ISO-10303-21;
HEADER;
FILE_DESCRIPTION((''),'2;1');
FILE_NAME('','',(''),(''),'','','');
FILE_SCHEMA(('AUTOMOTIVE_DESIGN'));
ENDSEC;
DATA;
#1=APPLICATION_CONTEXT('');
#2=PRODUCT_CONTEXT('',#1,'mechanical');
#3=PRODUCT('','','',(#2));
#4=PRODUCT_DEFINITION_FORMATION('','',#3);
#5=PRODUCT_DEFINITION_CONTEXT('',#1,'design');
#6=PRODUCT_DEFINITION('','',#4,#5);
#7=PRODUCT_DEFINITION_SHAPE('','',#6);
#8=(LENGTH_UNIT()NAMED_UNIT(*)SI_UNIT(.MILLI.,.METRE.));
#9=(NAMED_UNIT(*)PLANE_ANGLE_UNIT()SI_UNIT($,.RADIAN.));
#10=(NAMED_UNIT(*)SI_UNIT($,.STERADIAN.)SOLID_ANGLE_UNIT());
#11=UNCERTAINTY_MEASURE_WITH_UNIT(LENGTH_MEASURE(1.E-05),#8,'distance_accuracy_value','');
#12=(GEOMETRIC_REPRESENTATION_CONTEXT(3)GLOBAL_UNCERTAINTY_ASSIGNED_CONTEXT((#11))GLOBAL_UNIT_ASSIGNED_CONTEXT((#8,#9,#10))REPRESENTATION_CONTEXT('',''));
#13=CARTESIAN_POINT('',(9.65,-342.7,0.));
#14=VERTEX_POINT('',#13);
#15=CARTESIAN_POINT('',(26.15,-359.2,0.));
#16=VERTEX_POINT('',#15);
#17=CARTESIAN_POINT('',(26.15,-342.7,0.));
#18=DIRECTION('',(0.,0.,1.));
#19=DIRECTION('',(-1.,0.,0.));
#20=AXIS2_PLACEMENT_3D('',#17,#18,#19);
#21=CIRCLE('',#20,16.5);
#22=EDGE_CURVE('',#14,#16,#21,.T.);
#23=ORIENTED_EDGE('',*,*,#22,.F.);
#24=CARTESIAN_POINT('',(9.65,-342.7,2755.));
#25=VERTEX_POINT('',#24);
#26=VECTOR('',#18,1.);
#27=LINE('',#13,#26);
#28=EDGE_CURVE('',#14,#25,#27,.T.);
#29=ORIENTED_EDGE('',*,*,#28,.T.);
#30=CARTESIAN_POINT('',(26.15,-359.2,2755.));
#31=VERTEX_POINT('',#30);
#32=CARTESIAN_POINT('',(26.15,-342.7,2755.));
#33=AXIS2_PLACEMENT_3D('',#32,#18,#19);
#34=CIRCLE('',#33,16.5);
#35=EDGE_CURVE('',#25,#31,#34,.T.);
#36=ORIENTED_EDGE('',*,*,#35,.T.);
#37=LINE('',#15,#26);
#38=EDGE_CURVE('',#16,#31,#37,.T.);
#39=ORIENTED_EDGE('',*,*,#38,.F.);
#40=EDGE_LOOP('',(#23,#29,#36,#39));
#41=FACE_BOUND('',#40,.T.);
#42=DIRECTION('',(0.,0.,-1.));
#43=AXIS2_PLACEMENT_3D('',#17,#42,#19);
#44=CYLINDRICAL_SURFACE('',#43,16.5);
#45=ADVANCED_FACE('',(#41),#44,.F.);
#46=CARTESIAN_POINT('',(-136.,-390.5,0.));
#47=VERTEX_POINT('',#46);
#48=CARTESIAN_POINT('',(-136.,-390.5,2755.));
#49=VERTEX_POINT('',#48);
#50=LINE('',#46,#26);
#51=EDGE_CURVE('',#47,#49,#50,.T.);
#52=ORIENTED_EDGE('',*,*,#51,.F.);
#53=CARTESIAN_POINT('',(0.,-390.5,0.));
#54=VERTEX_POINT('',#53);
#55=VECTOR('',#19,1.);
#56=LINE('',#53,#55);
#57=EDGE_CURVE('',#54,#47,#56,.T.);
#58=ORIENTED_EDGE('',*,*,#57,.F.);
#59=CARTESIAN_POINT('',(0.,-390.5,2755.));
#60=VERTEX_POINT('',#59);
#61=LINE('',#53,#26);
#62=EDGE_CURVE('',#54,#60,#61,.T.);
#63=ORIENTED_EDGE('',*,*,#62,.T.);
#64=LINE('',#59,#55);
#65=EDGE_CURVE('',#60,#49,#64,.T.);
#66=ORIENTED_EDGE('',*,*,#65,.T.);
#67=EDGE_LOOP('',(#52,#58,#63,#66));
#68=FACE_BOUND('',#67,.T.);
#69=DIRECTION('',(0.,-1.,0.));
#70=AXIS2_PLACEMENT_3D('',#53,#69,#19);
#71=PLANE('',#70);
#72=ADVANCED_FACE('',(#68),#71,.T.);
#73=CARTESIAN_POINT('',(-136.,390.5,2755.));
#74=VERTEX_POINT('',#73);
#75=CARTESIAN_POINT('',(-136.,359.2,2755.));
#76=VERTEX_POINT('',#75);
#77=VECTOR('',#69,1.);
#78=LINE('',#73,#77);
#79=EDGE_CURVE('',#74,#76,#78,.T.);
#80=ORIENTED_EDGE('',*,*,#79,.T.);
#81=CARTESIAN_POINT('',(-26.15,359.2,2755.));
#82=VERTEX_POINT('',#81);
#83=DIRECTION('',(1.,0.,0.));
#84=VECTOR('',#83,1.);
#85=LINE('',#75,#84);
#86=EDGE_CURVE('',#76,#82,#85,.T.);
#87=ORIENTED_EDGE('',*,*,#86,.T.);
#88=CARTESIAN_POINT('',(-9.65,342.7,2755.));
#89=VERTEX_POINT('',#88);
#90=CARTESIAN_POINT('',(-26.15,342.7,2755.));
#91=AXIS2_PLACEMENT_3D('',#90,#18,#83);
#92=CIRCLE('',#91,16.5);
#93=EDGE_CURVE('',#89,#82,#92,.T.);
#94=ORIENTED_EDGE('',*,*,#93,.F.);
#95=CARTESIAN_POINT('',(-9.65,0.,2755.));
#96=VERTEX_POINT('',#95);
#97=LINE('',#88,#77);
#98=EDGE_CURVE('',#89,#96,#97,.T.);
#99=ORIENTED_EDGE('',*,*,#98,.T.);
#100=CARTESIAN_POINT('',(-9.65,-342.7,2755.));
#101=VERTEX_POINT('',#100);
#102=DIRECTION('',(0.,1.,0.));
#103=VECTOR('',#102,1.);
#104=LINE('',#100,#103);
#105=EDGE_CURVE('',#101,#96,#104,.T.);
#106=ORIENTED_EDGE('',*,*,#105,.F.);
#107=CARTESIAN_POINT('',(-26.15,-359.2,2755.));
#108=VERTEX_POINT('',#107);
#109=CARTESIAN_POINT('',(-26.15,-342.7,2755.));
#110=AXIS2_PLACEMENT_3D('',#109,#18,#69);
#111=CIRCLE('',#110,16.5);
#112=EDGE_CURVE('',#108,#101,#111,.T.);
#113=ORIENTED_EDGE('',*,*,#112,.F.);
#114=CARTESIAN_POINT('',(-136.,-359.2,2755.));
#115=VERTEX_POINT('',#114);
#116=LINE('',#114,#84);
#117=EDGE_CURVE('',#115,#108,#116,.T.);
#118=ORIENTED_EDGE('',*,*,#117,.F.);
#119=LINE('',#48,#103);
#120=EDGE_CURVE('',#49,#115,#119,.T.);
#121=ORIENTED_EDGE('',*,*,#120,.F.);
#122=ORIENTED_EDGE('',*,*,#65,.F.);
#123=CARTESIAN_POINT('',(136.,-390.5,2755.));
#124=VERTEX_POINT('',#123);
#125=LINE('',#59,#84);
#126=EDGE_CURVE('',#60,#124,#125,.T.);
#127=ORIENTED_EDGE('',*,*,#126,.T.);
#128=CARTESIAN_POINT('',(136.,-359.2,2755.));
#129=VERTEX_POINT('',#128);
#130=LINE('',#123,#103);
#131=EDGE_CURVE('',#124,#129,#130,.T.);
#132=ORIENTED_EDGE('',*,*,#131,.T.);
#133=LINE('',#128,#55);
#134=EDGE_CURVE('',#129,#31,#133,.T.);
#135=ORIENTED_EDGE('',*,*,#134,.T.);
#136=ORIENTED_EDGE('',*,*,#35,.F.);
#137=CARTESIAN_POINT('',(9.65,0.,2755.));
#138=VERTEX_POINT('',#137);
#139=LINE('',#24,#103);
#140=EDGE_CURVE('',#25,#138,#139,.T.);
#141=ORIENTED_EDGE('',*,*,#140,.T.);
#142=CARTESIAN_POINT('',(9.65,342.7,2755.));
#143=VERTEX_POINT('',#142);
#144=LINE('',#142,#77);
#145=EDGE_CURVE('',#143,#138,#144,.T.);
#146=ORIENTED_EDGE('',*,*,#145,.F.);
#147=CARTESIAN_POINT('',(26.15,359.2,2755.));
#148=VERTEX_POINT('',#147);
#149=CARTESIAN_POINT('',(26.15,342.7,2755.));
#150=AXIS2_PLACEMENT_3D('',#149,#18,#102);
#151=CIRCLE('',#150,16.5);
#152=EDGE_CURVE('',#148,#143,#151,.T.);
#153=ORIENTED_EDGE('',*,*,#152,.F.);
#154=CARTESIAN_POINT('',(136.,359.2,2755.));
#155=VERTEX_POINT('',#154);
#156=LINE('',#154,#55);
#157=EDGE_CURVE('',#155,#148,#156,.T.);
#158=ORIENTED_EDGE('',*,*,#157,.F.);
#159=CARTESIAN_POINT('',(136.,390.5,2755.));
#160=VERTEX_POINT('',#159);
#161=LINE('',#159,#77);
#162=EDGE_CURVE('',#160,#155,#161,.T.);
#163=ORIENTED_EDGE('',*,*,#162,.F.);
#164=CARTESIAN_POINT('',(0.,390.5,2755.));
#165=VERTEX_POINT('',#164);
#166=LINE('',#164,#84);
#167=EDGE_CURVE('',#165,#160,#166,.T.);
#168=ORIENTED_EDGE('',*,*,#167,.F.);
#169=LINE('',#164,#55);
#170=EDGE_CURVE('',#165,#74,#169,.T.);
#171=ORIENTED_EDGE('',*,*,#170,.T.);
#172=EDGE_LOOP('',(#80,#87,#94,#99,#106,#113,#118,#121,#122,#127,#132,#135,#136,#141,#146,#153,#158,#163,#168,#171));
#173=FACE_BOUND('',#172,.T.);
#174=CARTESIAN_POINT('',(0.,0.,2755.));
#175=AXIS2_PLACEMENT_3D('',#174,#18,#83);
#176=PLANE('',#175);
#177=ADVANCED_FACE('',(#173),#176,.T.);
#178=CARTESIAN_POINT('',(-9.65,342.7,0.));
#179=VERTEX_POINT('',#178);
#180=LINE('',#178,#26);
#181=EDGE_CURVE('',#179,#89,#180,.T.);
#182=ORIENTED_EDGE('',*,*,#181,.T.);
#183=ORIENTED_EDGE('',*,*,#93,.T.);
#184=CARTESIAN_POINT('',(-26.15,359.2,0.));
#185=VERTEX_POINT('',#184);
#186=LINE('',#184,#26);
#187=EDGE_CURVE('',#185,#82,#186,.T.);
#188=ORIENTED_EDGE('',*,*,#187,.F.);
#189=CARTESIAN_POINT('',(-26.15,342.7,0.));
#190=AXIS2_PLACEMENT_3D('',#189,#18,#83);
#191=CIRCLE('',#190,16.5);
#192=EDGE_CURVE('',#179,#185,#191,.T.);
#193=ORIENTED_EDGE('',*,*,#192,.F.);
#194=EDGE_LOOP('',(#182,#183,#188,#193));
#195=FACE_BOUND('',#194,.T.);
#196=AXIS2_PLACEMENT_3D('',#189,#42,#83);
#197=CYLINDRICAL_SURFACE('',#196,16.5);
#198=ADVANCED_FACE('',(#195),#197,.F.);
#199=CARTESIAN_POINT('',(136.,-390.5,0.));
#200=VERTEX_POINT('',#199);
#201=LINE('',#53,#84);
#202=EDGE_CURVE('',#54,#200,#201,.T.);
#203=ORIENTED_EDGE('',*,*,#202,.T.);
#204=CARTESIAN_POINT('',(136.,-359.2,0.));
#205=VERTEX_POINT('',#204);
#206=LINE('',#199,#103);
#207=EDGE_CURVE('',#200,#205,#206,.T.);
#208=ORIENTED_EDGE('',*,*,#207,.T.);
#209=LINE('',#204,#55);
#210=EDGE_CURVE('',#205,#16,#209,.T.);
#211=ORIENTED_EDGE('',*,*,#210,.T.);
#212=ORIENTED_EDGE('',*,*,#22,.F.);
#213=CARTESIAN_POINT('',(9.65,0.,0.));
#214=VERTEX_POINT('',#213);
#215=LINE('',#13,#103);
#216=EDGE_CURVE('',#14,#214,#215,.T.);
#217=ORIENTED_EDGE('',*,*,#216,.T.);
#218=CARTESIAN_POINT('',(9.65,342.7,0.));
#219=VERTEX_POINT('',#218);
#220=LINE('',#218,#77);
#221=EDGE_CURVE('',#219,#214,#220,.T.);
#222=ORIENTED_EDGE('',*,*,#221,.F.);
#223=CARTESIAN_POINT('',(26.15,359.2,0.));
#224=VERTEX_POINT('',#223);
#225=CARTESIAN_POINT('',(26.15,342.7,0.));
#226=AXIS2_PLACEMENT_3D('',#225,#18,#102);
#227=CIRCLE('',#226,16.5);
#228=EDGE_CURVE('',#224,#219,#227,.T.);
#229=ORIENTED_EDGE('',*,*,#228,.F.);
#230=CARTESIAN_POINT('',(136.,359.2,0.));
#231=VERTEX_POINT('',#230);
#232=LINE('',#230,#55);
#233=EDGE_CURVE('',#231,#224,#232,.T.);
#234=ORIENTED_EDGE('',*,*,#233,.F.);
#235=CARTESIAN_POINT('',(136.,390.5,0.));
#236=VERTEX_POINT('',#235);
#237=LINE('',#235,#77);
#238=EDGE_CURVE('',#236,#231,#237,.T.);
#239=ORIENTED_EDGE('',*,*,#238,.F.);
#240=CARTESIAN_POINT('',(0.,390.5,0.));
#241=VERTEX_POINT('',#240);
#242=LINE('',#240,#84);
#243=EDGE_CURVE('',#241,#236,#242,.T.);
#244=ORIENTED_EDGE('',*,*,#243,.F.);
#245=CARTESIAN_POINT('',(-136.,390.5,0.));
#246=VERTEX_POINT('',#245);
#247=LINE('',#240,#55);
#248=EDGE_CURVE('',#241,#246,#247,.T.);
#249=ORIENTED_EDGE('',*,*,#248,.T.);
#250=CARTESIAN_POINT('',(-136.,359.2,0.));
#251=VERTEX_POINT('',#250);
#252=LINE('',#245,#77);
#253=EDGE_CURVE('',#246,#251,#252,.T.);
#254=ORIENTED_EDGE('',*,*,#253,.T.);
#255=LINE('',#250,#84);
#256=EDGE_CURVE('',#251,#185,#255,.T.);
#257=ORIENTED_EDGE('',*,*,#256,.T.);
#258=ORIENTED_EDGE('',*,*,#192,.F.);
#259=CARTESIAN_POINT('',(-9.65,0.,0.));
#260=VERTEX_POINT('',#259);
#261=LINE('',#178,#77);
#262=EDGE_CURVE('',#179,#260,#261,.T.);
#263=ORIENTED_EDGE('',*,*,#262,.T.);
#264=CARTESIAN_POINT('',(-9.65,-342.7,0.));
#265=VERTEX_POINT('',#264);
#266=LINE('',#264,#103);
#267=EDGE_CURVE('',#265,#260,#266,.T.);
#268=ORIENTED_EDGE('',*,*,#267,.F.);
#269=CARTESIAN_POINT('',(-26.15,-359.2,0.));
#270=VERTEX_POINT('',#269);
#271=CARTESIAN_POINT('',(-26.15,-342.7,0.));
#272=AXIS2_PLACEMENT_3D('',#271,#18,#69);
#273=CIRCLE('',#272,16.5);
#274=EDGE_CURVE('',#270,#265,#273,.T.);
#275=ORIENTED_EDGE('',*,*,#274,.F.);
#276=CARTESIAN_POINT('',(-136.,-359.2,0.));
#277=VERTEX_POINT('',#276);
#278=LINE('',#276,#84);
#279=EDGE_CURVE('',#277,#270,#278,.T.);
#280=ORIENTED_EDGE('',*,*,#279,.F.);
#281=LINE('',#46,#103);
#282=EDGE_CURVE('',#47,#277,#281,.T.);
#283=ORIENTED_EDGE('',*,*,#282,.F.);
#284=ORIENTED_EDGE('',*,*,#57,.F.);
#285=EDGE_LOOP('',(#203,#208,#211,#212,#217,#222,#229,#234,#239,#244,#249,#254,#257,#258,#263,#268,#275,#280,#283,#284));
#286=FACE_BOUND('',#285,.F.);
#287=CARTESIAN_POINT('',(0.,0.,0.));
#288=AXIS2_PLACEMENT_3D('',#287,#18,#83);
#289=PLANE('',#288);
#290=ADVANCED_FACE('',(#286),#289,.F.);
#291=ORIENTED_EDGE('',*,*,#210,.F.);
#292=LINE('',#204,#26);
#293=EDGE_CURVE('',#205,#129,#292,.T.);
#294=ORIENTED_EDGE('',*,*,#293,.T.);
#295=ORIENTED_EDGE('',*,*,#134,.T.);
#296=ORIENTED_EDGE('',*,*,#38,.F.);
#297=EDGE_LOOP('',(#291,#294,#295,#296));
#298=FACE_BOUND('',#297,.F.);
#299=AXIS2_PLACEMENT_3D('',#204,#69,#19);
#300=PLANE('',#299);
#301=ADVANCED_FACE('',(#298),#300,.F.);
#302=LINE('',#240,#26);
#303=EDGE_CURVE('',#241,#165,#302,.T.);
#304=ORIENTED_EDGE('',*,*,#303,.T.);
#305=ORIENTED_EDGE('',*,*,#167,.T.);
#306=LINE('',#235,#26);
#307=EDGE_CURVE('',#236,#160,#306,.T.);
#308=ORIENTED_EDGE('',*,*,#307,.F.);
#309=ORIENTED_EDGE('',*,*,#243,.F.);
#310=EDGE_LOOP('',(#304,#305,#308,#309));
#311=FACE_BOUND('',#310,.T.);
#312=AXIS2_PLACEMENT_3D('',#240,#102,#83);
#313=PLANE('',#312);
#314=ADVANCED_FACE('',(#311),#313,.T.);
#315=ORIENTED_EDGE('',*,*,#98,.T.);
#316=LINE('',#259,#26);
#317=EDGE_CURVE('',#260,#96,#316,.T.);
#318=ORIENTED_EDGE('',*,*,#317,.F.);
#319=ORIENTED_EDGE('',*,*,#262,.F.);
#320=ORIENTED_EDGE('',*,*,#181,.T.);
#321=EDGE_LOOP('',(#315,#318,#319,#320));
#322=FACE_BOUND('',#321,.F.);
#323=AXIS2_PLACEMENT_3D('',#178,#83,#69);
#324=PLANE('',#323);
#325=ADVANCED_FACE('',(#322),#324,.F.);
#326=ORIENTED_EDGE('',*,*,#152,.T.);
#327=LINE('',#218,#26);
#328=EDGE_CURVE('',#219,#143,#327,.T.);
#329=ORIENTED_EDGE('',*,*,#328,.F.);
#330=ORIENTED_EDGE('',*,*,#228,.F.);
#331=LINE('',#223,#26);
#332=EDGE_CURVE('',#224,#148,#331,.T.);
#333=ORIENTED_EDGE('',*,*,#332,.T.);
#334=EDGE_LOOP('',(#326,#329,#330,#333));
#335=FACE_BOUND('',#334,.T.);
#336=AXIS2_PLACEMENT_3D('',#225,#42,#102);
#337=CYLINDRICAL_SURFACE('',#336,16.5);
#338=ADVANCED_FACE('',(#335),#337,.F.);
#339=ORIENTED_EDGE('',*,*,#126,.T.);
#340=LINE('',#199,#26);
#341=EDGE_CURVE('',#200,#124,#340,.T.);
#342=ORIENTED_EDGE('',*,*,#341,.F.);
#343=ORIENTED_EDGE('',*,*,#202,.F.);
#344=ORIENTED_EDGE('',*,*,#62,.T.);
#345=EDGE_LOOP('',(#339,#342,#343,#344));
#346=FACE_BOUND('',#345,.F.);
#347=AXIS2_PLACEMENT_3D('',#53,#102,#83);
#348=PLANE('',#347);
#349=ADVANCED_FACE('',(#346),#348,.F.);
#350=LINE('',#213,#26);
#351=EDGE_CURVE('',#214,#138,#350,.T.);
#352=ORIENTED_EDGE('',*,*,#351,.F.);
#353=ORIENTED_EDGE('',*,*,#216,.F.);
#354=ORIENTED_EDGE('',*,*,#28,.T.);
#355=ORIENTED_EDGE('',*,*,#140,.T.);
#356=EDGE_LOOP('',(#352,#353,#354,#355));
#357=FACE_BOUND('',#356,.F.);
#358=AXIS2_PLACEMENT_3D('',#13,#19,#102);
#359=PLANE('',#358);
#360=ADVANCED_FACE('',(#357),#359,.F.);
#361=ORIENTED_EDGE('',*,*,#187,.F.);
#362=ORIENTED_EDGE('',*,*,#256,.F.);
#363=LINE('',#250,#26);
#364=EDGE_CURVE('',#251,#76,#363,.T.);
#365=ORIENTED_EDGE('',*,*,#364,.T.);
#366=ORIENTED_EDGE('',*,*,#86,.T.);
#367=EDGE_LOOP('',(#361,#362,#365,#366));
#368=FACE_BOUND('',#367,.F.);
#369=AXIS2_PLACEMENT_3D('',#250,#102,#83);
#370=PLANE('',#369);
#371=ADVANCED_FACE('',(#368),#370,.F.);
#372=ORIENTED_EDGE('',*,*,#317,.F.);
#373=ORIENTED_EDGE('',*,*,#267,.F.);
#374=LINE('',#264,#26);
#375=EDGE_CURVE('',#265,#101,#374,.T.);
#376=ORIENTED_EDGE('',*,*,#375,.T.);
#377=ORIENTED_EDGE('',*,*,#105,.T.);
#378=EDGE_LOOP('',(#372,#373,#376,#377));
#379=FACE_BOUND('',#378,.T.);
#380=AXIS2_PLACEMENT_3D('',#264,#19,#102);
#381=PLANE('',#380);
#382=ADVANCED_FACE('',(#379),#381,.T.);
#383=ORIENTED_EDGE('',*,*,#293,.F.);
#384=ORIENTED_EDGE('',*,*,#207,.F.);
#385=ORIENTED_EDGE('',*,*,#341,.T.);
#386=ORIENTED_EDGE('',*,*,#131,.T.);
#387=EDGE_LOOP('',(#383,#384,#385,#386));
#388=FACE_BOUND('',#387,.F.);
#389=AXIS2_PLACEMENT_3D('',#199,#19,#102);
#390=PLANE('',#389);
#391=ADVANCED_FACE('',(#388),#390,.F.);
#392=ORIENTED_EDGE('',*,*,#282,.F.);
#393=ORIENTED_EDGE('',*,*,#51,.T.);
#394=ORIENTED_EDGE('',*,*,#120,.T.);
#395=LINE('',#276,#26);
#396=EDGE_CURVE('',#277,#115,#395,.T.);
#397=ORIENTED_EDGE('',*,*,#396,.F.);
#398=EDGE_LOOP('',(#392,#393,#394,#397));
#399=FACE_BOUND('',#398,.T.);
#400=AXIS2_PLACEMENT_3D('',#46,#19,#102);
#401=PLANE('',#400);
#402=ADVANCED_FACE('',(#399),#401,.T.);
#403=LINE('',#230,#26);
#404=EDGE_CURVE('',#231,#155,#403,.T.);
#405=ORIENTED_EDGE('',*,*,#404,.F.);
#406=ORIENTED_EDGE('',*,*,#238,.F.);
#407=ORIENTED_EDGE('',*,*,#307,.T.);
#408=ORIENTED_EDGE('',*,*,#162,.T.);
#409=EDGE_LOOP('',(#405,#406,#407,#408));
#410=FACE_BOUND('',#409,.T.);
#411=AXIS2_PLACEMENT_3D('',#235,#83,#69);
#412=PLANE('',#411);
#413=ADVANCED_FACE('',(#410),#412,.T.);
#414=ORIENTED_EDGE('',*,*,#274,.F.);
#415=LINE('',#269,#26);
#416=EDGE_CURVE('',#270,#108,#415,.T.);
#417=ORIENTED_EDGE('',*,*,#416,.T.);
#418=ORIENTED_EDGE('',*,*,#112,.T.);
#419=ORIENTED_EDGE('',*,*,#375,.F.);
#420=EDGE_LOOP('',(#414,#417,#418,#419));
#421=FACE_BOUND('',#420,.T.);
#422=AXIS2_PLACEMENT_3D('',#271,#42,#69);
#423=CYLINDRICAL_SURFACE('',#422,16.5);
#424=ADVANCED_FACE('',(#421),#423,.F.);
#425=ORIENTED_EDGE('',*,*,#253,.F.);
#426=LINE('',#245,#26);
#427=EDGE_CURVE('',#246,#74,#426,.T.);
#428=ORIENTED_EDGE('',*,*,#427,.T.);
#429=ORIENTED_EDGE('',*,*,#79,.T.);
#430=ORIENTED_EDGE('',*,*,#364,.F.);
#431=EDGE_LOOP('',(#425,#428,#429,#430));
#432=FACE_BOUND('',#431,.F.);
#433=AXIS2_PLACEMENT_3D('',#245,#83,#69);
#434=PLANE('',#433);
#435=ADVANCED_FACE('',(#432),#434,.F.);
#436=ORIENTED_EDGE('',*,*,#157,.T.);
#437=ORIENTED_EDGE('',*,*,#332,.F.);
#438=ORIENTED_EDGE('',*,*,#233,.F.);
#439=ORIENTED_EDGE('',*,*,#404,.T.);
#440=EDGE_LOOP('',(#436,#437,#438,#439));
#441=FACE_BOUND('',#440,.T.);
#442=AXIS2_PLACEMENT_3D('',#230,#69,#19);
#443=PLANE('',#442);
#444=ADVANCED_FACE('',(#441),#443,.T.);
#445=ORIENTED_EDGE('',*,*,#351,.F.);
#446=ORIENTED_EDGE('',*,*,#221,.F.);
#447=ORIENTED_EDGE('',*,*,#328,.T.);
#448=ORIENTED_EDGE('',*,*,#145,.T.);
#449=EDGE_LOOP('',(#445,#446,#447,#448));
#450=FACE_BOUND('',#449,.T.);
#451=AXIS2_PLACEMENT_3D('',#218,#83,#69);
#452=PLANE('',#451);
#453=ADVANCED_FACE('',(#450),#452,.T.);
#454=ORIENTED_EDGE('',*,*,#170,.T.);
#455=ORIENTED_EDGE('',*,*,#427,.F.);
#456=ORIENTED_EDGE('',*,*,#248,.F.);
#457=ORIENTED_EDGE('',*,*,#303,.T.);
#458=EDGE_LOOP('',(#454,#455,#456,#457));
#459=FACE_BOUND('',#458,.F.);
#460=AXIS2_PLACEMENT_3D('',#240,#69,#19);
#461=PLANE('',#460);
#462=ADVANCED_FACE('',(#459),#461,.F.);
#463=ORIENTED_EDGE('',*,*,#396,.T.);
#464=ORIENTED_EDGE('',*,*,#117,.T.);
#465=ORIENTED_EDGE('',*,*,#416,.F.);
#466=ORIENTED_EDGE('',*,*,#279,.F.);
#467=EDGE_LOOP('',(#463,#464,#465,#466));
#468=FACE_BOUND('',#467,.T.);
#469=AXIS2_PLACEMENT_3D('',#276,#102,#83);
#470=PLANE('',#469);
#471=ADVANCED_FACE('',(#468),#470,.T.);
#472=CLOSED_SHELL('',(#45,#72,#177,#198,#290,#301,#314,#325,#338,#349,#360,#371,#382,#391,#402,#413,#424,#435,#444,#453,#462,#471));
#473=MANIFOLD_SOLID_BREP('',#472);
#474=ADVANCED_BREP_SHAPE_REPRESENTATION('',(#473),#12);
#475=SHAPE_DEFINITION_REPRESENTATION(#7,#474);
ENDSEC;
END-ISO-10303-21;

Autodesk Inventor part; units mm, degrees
ref_plane "YZ Plane" through (0, 0, 0) normal (1, 0, 0) x (0, 1, 0)
ref_plane "Start plane" through (0, 0, 0) normal (0, 0, 1) x (1, 0, 0)
ref_plane "End plane" through (0, 0, 2755) normal (0, 0, 1) x (1, 0, 0)
sketch "Sketch" plane through (0, 0, 0) normal (0, 0, 1) x (1, 0, 0)
  line L0 (-136, -390.5) -> (-136, -359.2)
  line L1 (-136, -359.2) -> (-26.15, -359.2)
  line L2 (-9.65, -342.7) -> (-9.65, 0)
  line L3 (-9.65, 0) -> (0, 0) construction
  line L4 (0, 0) -> (0, -390.5) construction
  line L5 (0, -390.5) -> (-136, -390.5)
  line L6 (-60, 0) -> (80, 0) construction
  line L7 (0, -60) -> (0, 80) construction
  line L8 (136, -390.5) -> (136, -359.2)
  line L9 (136, -359.2) -> (26.15, -359.2)
  line L10 (9.65, -342.7) -> (9.65, 0)
  line L11 (9.65, 0) -> (0, 0) construction
  line L12 (0, -390.5) -> (136, -390.5)
  line L13 (-136, 390.5) -> (-136, 359.2)
  line L14 (-136, 359.2) -> (-26.15, 359.2)
  line L15 (-9.65, 342.7) -> (-9.65, 0)
  line L16 (0, 390.5) -> (-136, 390.5)
  line L17 (136, 390.5) -> (136, 359.2)
  line L18 (136, 359.2) -> (26.15, 359.2)
  line L19 (0, 390.5) -> (136, 390.5)
  line L20 (9.65, 342.7) -> (9.65, 0)
  arc A0 (-9.65, 342.7) -> (-26.15, 359.2) centre (-26.15, 342.7) ccw
  arc A1 (26.15, 359.2) -> (9.65, 342.7) centre (26.15, 342.7) ccw
  arc A2 (9.65, -342.7) -> (26.15, -359.2) centre (26.15, -342.7) ccw
  arc A3 (-26.15, -359.2) -> (-9.65, -342.7) centre (-26.15, -342.7) ccw
  line L21 (0, 108) -> (0, -88) construction
  line L22 (-88, 0) -> (108, 0) construction
  point P0 (-9.65, -359.2)
  point P1 (9.65, -359.2)
  point P2 (-9.65, 359.2)
  point P3 (9.65, 359.2)
  dimension "d1" = 390.5
  dimension "d2" = 31.3
  dimension "d3" = 136
  dimension "d4" = 9.65
  dimension "d10" = 16.5
extrude "Body" add sketch "Sketch" along normal up to surface (2755 mm away) from surface at 0
sketch "Sketch4" plane through (0, 0, 0) normal (0, 0, 1) x (1, 0, 0)
  line L0 (0, 0) -> (10, 0)
ref_plane "Work Plane3" through (0, 0, 0) normal (0, -1, 0) x (1, 0, 0)
sketch "Sketch5" plane through (0, 0, 0) normal (0, -1, 0) x (1, 0, 0)
  line L0 (-2, 0) -> (12, 0) projected
  line L1 (-2, 2755) -> (12, 2755) projected
  dimension "d14" = 2755
equation "\"d1\" = 0.5 * G_H"
equation "\"d2\" = G_T1"
equation "\"d3\" = 0.5 * G_W"
equation "\"d4\" = 0.5 * G_T"
equation "\"d10\" = G_IR"
equation "\"d5\" = G_L"
equation "\"G_W\" = 272"
equation "\"G_H\" = 781"
equation "\"G_T\" = 19.3"
equation "\"G_T1\" = 31.3"
equation "\"G_IR\" = 16.5"
equation "\"G_L\" = d14"
equation "\"G_OFFSET_START\" = 0"
equation "\"G_OFFSET_END\" = 0"
equation "\"d12\" = G_OFFSET_END + B_L"
equation "\"B_L\" = 2755"
properties part number "AS 3679-1990 - 760 UB - 244 - 2755" material "Steel, Mild"
